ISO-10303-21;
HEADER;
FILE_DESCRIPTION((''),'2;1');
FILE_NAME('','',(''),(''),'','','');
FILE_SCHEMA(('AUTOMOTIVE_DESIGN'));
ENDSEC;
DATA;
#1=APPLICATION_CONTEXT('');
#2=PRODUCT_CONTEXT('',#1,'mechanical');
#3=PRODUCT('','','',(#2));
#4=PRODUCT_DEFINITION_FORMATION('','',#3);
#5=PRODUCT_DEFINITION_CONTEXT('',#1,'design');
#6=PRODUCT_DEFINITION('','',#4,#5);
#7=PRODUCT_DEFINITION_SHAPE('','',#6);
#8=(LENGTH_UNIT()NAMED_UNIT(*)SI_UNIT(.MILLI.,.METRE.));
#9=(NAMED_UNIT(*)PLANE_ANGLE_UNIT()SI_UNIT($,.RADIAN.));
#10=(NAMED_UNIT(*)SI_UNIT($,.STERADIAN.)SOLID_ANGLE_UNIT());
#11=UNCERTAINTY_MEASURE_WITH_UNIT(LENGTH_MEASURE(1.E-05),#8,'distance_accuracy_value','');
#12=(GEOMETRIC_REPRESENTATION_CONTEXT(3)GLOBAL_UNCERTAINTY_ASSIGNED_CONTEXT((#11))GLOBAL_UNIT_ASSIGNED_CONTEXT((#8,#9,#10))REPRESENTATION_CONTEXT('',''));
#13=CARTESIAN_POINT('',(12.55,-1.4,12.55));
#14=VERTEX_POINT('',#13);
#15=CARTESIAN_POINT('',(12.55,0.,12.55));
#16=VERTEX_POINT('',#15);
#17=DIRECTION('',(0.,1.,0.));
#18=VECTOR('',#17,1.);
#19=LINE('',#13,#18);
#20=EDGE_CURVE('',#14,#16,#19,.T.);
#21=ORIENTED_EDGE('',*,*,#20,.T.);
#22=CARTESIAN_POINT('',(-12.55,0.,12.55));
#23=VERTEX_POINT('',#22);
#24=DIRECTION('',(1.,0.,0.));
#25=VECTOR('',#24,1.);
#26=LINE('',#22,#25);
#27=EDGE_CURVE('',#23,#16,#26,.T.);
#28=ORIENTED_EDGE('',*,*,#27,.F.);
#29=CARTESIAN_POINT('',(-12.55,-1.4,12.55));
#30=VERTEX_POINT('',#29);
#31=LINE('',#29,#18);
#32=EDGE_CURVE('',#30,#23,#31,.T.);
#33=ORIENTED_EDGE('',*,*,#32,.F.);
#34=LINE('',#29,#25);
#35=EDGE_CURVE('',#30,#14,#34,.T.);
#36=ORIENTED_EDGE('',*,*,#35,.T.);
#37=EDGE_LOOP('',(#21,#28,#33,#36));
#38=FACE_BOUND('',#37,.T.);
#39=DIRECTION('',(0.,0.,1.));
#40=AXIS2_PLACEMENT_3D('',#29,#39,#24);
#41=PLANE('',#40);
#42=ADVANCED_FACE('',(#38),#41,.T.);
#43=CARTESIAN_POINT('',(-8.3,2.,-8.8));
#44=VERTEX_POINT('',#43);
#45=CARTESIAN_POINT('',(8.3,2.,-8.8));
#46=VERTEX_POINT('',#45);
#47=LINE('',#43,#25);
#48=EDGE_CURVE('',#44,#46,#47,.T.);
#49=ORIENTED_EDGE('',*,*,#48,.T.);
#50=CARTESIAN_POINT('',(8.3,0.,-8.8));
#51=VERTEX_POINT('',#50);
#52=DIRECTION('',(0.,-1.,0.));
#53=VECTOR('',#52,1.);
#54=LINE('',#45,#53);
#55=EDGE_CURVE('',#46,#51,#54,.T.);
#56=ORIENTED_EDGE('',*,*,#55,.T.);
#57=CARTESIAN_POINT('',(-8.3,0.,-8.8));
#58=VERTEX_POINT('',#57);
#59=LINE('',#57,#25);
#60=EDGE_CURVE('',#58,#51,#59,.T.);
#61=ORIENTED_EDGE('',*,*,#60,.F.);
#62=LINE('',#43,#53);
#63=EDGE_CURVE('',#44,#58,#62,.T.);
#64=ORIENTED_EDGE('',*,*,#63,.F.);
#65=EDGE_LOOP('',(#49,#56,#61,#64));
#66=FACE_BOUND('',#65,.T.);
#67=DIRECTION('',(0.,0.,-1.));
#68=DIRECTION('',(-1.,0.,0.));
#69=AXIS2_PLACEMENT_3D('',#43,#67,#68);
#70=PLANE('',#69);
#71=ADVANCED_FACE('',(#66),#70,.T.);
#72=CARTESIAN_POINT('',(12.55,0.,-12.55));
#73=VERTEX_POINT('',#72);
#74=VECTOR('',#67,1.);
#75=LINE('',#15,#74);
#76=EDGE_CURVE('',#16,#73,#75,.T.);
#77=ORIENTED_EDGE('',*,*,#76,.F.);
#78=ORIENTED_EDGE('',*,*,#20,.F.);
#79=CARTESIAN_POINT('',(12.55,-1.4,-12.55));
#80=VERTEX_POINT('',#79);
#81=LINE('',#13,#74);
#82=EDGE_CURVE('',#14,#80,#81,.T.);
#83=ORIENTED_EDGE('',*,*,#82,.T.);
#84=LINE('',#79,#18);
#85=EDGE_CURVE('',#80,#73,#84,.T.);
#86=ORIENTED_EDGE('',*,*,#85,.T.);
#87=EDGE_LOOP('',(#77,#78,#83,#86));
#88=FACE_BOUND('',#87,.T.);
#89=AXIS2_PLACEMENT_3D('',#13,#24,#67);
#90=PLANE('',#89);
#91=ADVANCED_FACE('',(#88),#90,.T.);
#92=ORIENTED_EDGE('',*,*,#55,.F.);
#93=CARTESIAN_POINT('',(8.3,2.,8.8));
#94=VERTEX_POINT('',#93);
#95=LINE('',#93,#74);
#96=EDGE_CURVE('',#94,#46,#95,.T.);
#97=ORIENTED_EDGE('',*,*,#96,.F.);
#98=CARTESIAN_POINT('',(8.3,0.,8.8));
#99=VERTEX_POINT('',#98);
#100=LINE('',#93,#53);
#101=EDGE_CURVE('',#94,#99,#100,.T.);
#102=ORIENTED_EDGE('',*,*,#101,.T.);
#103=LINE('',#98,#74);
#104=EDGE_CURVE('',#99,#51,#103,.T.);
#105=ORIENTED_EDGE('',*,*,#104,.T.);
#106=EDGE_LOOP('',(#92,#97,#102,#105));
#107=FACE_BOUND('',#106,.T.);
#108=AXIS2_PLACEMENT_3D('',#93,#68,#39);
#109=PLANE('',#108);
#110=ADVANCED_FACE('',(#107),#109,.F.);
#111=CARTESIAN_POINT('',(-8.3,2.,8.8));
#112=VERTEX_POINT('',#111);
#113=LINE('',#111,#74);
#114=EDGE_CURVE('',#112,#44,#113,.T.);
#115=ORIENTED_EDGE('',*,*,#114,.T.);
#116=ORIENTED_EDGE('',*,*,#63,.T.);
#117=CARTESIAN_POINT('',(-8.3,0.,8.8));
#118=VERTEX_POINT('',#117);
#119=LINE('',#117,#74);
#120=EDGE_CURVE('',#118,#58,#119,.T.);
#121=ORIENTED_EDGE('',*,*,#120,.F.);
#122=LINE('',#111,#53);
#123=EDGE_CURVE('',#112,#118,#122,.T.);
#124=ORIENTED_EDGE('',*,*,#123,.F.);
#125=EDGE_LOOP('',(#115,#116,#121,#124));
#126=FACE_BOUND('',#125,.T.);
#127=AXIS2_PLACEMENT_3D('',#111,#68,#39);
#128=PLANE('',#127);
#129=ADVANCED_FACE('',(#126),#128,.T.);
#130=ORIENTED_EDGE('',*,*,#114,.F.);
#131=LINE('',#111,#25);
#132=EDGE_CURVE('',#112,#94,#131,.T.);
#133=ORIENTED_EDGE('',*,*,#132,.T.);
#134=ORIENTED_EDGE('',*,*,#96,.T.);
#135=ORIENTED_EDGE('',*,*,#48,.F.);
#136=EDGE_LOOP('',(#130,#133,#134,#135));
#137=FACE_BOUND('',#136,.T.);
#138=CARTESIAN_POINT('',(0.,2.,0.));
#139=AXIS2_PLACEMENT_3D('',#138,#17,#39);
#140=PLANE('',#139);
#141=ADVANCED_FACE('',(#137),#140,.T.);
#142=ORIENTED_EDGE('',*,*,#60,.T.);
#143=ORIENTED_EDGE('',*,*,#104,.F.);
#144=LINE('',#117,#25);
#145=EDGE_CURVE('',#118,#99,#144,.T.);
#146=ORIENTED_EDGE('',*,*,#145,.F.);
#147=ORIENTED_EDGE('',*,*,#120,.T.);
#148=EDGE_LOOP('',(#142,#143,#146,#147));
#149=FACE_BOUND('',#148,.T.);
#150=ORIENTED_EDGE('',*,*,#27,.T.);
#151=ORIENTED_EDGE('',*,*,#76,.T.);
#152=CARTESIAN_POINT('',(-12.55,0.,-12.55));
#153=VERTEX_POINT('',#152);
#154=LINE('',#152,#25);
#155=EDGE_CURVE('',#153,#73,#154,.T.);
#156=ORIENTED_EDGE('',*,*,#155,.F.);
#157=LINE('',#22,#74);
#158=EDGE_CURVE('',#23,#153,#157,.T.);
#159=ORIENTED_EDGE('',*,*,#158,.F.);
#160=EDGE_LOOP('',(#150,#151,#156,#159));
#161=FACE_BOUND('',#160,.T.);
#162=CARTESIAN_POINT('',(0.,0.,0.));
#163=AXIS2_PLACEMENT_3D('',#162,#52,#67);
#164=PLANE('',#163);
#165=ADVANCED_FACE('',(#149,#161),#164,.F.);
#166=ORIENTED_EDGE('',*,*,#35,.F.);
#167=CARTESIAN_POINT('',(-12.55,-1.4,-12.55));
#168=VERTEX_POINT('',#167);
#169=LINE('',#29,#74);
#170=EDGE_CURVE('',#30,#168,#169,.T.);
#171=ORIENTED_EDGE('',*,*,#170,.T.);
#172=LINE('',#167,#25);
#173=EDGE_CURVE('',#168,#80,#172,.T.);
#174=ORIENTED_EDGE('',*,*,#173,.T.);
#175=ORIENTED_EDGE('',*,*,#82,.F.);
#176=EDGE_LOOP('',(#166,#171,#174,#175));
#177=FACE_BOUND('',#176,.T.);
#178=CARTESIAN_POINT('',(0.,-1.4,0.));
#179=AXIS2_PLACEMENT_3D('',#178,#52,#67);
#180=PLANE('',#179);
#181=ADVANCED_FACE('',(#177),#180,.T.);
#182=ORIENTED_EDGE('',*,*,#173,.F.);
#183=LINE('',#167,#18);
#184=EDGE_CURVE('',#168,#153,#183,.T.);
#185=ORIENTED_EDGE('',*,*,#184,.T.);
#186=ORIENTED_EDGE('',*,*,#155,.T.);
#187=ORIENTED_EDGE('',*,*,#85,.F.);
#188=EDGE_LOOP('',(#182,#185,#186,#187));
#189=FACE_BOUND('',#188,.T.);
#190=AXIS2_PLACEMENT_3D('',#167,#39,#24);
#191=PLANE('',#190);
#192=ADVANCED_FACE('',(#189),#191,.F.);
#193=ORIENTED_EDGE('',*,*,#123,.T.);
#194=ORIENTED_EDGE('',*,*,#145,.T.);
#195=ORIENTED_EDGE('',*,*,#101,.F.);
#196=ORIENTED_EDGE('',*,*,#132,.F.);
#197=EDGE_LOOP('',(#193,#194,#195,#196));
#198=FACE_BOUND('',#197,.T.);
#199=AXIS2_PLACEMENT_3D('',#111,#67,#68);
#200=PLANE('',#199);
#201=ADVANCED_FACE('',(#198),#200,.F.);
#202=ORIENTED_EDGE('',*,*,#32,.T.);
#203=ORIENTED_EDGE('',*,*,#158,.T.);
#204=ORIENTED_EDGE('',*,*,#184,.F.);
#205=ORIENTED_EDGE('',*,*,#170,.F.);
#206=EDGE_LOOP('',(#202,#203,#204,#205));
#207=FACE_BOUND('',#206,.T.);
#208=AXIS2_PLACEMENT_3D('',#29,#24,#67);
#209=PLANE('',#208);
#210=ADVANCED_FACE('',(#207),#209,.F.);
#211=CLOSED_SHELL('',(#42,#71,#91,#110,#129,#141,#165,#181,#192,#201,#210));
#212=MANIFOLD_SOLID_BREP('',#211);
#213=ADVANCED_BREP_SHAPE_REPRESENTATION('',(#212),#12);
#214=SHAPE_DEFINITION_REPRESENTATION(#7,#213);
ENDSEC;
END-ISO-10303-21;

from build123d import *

# Parameters (mm, degrees)
SKETCH1_W           = 16.6
SKETCH1_H           = 17.6
BOSS_EXTRUDE1_DEPTH = 2
SKETCH1_4_W         = 25.1
SKETCH1_4_H         = 25.1
BOSS_EXTRUDE2_DEPTH = 1.4


with BuildPart() as part:
    # Sketch1 → Boss-Extrude1 (new body)
    with BuildSketch(Plane(origin=(0, 0, 0), x_dir=(1, 0, 0), z_dir=(0, 1, 0))):
        Rectangle(SKETCH1_W, SKETCH1_H)
    extrude(amount=BOSS_EXTRUDE1_DEPTH)

    # Sketch1<4> → Boss-Extrude2 (add)
    with BuildSketch(Plane(origin=(0, 0, 0), x_dir=(1, 0, 0), z_dir=(0, 1, 0))):
        Rectangle(SKETCH1_4_W, SKETCH1_4_H)
    extrude(amount=-BOSS_EXTRUDE2_DEPTH)


solid = part.part
